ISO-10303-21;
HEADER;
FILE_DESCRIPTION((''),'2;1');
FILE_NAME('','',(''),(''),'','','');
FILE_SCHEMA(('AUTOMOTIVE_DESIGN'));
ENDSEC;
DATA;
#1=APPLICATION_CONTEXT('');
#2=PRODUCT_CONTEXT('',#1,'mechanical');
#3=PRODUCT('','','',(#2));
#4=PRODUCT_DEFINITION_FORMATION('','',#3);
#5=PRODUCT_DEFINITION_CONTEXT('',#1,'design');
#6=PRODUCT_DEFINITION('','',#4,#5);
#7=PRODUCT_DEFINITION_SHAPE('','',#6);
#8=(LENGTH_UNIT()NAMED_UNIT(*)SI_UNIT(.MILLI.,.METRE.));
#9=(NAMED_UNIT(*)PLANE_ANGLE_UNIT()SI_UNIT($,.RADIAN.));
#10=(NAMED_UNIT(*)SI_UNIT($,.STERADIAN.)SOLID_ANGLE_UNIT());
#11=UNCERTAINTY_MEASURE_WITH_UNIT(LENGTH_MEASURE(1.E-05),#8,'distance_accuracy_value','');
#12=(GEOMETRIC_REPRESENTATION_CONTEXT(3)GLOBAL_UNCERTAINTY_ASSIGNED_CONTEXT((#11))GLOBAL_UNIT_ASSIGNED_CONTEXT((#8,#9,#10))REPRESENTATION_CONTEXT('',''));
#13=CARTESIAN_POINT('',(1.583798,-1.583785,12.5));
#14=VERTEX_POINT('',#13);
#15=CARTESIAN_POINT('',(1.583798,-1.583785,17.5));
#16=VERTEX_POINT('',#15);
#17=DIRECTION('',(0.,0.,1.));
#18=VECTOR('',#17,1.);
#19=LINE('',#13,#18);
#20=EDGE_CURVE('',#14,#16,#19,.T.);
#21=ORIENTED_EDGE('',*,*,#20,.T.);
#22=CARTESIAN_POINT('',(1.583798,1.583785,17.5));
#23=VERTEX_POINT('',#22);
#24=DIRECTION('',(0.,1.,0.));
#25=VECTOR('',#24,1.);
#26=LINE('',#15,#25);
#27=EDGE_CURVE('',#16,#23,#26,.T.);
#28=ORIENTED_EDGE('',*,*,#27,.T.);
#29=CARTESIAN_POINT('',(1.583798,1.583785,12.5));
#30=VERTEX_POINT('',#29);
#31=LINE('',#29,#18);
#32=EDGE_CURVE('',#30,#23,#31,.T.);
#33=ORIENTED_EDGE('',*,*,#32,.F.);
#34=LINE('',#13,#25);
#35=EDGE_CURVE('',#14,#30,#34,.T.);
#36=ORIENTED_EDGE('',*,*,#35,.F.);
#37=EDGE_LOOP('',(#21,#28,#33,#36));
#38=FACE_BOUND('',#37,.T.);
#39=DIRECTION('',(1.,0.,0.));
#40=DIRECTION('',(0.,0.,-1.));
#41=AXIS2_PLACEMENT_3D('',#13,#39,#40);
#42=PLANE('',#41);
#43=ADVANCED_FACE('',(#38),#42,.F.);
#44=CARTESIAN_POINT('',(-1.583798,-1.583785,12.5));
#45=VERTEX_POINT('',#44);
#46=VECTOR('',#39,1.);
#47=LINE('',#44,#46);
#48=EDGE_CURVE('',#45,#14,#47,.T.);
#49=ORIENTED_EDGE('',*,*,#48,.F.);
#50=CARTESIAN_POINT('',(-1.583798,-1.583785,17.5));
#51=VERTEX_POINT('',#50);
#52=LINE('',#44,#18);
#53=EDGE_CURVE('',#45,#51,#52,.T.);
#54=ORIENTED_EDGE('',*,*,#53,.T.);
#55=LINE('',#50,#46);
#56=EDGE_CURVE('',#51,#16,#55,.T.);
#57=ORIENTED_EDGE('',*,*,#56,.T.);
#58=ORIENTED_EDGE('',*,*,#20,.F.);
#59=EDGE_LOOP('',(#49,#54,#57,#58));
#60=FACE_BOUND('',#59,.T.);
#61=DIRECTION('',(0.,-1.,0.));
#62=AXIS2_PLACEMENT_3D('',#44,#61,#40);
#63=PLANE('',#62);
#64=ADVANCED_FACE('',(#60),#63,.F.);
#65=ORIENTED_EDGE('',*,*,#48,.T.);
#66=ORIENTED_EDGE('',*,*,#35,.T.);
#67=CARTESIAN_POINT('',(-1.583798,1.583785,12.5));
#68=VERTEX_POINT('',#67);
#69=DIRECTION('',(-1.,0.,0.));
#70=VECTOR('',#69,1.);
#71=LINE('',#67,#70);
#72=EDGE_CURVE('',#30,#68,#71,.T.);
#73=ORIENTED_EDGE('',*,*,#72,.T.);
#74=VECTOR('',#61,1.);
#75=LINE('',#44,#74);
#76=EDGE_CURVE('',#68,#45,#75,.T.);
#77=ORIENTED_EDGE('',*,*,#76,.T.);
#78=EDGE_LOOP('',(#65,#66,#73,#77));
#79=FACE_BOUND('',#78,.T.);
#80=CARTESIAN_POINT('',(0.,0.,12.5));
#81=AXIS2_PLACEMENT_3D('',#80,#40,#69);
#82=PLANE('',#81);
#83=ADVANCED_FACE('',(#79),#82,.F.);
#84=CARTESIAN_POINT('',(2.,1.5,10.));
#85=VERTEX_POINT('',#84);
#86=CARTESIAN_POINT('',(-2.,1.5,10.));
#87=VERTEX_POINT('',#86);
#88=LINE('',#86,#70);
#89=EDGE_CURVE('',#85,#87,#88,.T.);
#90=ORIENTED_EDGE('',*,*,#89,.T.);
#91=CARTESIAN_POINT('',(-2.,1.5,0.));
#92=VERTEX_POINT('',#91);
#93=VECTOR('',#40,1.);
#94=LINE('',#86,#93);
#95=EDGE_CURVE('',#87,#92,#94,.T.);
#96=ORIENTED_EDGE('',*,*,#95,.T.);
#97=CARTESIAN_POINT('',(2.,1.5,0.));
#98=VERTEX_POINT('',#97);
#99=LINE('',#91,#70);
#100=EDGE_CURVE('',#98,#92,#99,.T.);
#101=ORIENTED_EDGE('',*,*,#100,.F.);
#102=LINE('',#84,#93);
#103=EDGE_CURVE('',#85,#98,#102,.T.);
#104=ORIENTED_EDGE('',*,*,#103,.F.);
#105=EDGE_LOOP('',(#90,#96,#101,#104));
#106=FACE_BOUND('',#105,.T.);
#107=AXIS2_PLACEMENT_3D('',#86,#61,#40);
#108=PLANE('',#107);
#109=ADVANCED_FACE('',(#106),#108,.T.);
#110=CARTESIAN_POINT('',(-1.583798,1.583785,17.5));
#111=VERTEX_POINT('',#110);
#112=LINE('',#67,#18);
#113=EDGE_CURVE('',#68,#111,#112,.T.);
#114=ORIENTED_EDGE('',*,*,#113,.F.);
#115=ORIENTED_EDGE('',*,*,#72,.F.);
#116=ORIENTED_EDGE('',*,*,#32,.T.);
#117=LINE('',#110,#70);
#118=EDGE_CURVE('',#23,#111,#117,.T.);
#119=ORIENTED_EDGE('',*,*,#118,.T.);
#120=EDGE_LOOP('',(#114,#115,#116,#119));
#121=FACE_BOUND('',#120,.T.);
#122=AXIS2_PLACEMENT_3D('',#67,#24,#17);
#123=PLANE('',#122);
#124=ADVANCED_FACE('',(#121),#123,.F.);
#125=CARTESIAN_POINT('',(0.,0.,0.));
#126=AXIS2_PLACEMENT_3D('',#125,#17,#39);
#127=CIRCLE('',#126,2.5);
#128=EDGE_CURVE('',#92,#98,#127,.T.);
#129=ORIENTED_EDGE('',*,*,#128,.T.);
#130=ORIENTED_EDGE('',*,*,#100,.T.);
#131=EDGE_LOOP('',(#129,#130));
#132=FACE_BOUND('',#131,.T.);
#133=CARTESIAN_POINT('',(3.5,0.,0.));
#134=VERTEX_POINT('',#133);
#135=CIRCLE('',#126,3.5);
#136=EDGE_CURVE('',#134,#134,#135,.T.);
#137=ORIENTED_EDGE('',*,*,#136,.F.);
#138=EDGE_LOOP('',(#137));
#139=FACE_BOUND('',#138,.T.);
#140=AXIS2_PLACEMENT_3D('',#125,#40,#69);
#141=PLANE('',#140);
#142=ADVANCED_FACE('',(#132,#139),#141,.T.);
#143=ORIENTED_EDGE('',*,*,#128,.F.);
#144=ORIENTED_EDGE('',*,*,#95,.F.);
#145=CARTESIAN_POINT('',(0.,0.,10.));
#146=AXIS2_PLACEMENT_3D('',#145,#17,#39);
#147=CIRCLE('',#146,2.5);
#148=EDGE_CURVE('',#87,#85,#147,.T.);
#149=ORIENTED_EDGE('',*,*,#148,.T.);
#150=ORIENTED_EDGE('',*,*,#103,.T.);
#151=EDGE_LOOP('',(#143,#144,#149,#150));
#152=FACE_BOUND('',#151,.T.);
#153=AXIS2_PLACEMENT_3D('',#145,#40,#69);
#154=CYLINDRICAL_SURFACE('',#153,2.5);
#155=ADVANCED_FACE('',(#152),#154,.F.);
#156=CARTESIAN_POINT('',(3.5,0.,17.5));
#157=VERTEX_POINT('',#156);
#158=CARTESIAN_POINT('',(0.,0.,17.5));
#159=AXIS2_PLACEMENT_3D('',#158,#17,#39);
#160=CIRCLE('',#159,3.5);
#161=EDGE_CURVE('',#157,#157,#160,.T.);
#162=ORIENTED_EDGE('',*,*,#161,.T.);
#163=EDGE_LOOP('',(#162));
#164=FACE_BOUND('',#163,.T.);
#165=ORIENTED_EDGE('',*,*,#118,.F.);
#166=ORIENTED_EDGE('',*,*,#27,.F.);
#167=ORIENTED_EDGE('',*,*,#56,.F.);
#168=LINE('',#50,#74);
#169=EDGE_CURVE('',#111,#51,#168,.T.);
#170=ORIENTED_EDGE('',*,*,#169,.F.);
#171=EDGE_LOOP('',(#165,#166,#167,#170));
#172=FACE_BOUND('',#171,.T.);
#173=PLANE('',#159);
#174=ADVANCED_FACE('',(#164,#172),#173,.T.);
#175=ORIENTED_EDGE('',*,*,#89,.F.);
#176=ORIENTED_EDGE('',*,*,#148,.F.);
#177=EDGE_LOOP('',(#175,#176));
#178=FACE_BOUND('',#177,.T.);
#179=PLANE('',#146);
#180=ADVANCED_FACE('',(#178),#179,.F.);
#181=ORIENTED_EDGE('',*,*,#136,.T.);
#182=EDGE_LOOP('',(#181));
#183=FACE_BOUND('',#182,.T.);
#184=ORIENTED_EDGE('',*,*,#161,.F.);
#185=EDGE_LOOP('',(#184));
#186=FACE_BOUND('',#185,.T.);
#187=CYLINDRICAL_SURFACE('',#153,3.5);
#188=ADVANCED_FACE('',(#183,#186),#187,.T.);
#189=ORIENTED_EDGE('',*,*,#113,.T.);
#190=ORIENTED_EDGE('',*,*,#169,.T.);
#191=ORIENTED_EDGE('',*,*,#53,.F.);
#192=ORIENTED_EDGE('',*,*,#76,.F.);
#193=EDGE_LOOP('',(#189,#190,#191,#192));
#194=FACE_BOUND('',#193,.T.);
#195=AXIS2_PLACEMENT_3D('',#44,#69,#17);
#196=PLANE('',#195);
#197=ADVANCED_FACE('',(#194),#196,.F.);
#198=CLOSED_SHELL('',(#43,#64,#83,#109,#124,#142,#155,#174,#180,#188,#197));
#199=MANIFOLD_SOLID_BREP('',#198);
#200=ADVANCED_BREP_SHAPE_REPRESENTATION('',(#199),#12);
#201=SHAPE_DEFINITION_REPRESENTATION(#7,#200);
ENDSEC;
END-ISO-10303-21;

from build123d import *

# Parameters (mm, degrees)
BOSS_EXTRUDE1_DEPTH = 10
SKETCH2_R           = 3.5
BOSS_EXTRUDE2_DEPTH = 7.5
SKETCH3_W           = 3.16759605
SKETCH3_H           = 3.16756905
CUT_EXTRUDE1_DEPTH  = 5


with BuildPart() as part:
    # Sketch1 → Boss-Extrude1 (new body)
    with BuildSketch(Plane.XY):
        with BuildLine():
            ThreePointArc((-2.449489743, 2.5), (0, -3.5), (2.449489743, 2.5))
            ThreePointArc((2.449489743, 2.5), (0, 3.5), (-2.449489743, 2.5))
        make_face()
        with BuildLine():
            Line((-2, 1.5), (2, 1.5))
            ThreePointArc((2, 1.5), (0, -2.5), (-2, 1.5))
        make_face(mode=Mode.SUBTRACT)
    extrude(amount=BOSS_EXTRUDE1_DEPTH)

    # Sketch2 → Boss-Extrude2 (add)
    with BuildSketch(Plane.XY.offset(10)):
        Circle(SKETCH2_R)
    extrude(amount=BOSS_EXTRUDE2_DEPTH)

    # Sketch3 → Cut-Extrude1 (cut)
    with BuildSketch(Plane.XY.offset(17.5)):
        Rectangle(SKETCH3_W, SKETCH3_H)
    extrude(amount=-CUT_EXTRUDE1_DEPTH, mode=Mode.SUBTRACT)


solid = part.part
